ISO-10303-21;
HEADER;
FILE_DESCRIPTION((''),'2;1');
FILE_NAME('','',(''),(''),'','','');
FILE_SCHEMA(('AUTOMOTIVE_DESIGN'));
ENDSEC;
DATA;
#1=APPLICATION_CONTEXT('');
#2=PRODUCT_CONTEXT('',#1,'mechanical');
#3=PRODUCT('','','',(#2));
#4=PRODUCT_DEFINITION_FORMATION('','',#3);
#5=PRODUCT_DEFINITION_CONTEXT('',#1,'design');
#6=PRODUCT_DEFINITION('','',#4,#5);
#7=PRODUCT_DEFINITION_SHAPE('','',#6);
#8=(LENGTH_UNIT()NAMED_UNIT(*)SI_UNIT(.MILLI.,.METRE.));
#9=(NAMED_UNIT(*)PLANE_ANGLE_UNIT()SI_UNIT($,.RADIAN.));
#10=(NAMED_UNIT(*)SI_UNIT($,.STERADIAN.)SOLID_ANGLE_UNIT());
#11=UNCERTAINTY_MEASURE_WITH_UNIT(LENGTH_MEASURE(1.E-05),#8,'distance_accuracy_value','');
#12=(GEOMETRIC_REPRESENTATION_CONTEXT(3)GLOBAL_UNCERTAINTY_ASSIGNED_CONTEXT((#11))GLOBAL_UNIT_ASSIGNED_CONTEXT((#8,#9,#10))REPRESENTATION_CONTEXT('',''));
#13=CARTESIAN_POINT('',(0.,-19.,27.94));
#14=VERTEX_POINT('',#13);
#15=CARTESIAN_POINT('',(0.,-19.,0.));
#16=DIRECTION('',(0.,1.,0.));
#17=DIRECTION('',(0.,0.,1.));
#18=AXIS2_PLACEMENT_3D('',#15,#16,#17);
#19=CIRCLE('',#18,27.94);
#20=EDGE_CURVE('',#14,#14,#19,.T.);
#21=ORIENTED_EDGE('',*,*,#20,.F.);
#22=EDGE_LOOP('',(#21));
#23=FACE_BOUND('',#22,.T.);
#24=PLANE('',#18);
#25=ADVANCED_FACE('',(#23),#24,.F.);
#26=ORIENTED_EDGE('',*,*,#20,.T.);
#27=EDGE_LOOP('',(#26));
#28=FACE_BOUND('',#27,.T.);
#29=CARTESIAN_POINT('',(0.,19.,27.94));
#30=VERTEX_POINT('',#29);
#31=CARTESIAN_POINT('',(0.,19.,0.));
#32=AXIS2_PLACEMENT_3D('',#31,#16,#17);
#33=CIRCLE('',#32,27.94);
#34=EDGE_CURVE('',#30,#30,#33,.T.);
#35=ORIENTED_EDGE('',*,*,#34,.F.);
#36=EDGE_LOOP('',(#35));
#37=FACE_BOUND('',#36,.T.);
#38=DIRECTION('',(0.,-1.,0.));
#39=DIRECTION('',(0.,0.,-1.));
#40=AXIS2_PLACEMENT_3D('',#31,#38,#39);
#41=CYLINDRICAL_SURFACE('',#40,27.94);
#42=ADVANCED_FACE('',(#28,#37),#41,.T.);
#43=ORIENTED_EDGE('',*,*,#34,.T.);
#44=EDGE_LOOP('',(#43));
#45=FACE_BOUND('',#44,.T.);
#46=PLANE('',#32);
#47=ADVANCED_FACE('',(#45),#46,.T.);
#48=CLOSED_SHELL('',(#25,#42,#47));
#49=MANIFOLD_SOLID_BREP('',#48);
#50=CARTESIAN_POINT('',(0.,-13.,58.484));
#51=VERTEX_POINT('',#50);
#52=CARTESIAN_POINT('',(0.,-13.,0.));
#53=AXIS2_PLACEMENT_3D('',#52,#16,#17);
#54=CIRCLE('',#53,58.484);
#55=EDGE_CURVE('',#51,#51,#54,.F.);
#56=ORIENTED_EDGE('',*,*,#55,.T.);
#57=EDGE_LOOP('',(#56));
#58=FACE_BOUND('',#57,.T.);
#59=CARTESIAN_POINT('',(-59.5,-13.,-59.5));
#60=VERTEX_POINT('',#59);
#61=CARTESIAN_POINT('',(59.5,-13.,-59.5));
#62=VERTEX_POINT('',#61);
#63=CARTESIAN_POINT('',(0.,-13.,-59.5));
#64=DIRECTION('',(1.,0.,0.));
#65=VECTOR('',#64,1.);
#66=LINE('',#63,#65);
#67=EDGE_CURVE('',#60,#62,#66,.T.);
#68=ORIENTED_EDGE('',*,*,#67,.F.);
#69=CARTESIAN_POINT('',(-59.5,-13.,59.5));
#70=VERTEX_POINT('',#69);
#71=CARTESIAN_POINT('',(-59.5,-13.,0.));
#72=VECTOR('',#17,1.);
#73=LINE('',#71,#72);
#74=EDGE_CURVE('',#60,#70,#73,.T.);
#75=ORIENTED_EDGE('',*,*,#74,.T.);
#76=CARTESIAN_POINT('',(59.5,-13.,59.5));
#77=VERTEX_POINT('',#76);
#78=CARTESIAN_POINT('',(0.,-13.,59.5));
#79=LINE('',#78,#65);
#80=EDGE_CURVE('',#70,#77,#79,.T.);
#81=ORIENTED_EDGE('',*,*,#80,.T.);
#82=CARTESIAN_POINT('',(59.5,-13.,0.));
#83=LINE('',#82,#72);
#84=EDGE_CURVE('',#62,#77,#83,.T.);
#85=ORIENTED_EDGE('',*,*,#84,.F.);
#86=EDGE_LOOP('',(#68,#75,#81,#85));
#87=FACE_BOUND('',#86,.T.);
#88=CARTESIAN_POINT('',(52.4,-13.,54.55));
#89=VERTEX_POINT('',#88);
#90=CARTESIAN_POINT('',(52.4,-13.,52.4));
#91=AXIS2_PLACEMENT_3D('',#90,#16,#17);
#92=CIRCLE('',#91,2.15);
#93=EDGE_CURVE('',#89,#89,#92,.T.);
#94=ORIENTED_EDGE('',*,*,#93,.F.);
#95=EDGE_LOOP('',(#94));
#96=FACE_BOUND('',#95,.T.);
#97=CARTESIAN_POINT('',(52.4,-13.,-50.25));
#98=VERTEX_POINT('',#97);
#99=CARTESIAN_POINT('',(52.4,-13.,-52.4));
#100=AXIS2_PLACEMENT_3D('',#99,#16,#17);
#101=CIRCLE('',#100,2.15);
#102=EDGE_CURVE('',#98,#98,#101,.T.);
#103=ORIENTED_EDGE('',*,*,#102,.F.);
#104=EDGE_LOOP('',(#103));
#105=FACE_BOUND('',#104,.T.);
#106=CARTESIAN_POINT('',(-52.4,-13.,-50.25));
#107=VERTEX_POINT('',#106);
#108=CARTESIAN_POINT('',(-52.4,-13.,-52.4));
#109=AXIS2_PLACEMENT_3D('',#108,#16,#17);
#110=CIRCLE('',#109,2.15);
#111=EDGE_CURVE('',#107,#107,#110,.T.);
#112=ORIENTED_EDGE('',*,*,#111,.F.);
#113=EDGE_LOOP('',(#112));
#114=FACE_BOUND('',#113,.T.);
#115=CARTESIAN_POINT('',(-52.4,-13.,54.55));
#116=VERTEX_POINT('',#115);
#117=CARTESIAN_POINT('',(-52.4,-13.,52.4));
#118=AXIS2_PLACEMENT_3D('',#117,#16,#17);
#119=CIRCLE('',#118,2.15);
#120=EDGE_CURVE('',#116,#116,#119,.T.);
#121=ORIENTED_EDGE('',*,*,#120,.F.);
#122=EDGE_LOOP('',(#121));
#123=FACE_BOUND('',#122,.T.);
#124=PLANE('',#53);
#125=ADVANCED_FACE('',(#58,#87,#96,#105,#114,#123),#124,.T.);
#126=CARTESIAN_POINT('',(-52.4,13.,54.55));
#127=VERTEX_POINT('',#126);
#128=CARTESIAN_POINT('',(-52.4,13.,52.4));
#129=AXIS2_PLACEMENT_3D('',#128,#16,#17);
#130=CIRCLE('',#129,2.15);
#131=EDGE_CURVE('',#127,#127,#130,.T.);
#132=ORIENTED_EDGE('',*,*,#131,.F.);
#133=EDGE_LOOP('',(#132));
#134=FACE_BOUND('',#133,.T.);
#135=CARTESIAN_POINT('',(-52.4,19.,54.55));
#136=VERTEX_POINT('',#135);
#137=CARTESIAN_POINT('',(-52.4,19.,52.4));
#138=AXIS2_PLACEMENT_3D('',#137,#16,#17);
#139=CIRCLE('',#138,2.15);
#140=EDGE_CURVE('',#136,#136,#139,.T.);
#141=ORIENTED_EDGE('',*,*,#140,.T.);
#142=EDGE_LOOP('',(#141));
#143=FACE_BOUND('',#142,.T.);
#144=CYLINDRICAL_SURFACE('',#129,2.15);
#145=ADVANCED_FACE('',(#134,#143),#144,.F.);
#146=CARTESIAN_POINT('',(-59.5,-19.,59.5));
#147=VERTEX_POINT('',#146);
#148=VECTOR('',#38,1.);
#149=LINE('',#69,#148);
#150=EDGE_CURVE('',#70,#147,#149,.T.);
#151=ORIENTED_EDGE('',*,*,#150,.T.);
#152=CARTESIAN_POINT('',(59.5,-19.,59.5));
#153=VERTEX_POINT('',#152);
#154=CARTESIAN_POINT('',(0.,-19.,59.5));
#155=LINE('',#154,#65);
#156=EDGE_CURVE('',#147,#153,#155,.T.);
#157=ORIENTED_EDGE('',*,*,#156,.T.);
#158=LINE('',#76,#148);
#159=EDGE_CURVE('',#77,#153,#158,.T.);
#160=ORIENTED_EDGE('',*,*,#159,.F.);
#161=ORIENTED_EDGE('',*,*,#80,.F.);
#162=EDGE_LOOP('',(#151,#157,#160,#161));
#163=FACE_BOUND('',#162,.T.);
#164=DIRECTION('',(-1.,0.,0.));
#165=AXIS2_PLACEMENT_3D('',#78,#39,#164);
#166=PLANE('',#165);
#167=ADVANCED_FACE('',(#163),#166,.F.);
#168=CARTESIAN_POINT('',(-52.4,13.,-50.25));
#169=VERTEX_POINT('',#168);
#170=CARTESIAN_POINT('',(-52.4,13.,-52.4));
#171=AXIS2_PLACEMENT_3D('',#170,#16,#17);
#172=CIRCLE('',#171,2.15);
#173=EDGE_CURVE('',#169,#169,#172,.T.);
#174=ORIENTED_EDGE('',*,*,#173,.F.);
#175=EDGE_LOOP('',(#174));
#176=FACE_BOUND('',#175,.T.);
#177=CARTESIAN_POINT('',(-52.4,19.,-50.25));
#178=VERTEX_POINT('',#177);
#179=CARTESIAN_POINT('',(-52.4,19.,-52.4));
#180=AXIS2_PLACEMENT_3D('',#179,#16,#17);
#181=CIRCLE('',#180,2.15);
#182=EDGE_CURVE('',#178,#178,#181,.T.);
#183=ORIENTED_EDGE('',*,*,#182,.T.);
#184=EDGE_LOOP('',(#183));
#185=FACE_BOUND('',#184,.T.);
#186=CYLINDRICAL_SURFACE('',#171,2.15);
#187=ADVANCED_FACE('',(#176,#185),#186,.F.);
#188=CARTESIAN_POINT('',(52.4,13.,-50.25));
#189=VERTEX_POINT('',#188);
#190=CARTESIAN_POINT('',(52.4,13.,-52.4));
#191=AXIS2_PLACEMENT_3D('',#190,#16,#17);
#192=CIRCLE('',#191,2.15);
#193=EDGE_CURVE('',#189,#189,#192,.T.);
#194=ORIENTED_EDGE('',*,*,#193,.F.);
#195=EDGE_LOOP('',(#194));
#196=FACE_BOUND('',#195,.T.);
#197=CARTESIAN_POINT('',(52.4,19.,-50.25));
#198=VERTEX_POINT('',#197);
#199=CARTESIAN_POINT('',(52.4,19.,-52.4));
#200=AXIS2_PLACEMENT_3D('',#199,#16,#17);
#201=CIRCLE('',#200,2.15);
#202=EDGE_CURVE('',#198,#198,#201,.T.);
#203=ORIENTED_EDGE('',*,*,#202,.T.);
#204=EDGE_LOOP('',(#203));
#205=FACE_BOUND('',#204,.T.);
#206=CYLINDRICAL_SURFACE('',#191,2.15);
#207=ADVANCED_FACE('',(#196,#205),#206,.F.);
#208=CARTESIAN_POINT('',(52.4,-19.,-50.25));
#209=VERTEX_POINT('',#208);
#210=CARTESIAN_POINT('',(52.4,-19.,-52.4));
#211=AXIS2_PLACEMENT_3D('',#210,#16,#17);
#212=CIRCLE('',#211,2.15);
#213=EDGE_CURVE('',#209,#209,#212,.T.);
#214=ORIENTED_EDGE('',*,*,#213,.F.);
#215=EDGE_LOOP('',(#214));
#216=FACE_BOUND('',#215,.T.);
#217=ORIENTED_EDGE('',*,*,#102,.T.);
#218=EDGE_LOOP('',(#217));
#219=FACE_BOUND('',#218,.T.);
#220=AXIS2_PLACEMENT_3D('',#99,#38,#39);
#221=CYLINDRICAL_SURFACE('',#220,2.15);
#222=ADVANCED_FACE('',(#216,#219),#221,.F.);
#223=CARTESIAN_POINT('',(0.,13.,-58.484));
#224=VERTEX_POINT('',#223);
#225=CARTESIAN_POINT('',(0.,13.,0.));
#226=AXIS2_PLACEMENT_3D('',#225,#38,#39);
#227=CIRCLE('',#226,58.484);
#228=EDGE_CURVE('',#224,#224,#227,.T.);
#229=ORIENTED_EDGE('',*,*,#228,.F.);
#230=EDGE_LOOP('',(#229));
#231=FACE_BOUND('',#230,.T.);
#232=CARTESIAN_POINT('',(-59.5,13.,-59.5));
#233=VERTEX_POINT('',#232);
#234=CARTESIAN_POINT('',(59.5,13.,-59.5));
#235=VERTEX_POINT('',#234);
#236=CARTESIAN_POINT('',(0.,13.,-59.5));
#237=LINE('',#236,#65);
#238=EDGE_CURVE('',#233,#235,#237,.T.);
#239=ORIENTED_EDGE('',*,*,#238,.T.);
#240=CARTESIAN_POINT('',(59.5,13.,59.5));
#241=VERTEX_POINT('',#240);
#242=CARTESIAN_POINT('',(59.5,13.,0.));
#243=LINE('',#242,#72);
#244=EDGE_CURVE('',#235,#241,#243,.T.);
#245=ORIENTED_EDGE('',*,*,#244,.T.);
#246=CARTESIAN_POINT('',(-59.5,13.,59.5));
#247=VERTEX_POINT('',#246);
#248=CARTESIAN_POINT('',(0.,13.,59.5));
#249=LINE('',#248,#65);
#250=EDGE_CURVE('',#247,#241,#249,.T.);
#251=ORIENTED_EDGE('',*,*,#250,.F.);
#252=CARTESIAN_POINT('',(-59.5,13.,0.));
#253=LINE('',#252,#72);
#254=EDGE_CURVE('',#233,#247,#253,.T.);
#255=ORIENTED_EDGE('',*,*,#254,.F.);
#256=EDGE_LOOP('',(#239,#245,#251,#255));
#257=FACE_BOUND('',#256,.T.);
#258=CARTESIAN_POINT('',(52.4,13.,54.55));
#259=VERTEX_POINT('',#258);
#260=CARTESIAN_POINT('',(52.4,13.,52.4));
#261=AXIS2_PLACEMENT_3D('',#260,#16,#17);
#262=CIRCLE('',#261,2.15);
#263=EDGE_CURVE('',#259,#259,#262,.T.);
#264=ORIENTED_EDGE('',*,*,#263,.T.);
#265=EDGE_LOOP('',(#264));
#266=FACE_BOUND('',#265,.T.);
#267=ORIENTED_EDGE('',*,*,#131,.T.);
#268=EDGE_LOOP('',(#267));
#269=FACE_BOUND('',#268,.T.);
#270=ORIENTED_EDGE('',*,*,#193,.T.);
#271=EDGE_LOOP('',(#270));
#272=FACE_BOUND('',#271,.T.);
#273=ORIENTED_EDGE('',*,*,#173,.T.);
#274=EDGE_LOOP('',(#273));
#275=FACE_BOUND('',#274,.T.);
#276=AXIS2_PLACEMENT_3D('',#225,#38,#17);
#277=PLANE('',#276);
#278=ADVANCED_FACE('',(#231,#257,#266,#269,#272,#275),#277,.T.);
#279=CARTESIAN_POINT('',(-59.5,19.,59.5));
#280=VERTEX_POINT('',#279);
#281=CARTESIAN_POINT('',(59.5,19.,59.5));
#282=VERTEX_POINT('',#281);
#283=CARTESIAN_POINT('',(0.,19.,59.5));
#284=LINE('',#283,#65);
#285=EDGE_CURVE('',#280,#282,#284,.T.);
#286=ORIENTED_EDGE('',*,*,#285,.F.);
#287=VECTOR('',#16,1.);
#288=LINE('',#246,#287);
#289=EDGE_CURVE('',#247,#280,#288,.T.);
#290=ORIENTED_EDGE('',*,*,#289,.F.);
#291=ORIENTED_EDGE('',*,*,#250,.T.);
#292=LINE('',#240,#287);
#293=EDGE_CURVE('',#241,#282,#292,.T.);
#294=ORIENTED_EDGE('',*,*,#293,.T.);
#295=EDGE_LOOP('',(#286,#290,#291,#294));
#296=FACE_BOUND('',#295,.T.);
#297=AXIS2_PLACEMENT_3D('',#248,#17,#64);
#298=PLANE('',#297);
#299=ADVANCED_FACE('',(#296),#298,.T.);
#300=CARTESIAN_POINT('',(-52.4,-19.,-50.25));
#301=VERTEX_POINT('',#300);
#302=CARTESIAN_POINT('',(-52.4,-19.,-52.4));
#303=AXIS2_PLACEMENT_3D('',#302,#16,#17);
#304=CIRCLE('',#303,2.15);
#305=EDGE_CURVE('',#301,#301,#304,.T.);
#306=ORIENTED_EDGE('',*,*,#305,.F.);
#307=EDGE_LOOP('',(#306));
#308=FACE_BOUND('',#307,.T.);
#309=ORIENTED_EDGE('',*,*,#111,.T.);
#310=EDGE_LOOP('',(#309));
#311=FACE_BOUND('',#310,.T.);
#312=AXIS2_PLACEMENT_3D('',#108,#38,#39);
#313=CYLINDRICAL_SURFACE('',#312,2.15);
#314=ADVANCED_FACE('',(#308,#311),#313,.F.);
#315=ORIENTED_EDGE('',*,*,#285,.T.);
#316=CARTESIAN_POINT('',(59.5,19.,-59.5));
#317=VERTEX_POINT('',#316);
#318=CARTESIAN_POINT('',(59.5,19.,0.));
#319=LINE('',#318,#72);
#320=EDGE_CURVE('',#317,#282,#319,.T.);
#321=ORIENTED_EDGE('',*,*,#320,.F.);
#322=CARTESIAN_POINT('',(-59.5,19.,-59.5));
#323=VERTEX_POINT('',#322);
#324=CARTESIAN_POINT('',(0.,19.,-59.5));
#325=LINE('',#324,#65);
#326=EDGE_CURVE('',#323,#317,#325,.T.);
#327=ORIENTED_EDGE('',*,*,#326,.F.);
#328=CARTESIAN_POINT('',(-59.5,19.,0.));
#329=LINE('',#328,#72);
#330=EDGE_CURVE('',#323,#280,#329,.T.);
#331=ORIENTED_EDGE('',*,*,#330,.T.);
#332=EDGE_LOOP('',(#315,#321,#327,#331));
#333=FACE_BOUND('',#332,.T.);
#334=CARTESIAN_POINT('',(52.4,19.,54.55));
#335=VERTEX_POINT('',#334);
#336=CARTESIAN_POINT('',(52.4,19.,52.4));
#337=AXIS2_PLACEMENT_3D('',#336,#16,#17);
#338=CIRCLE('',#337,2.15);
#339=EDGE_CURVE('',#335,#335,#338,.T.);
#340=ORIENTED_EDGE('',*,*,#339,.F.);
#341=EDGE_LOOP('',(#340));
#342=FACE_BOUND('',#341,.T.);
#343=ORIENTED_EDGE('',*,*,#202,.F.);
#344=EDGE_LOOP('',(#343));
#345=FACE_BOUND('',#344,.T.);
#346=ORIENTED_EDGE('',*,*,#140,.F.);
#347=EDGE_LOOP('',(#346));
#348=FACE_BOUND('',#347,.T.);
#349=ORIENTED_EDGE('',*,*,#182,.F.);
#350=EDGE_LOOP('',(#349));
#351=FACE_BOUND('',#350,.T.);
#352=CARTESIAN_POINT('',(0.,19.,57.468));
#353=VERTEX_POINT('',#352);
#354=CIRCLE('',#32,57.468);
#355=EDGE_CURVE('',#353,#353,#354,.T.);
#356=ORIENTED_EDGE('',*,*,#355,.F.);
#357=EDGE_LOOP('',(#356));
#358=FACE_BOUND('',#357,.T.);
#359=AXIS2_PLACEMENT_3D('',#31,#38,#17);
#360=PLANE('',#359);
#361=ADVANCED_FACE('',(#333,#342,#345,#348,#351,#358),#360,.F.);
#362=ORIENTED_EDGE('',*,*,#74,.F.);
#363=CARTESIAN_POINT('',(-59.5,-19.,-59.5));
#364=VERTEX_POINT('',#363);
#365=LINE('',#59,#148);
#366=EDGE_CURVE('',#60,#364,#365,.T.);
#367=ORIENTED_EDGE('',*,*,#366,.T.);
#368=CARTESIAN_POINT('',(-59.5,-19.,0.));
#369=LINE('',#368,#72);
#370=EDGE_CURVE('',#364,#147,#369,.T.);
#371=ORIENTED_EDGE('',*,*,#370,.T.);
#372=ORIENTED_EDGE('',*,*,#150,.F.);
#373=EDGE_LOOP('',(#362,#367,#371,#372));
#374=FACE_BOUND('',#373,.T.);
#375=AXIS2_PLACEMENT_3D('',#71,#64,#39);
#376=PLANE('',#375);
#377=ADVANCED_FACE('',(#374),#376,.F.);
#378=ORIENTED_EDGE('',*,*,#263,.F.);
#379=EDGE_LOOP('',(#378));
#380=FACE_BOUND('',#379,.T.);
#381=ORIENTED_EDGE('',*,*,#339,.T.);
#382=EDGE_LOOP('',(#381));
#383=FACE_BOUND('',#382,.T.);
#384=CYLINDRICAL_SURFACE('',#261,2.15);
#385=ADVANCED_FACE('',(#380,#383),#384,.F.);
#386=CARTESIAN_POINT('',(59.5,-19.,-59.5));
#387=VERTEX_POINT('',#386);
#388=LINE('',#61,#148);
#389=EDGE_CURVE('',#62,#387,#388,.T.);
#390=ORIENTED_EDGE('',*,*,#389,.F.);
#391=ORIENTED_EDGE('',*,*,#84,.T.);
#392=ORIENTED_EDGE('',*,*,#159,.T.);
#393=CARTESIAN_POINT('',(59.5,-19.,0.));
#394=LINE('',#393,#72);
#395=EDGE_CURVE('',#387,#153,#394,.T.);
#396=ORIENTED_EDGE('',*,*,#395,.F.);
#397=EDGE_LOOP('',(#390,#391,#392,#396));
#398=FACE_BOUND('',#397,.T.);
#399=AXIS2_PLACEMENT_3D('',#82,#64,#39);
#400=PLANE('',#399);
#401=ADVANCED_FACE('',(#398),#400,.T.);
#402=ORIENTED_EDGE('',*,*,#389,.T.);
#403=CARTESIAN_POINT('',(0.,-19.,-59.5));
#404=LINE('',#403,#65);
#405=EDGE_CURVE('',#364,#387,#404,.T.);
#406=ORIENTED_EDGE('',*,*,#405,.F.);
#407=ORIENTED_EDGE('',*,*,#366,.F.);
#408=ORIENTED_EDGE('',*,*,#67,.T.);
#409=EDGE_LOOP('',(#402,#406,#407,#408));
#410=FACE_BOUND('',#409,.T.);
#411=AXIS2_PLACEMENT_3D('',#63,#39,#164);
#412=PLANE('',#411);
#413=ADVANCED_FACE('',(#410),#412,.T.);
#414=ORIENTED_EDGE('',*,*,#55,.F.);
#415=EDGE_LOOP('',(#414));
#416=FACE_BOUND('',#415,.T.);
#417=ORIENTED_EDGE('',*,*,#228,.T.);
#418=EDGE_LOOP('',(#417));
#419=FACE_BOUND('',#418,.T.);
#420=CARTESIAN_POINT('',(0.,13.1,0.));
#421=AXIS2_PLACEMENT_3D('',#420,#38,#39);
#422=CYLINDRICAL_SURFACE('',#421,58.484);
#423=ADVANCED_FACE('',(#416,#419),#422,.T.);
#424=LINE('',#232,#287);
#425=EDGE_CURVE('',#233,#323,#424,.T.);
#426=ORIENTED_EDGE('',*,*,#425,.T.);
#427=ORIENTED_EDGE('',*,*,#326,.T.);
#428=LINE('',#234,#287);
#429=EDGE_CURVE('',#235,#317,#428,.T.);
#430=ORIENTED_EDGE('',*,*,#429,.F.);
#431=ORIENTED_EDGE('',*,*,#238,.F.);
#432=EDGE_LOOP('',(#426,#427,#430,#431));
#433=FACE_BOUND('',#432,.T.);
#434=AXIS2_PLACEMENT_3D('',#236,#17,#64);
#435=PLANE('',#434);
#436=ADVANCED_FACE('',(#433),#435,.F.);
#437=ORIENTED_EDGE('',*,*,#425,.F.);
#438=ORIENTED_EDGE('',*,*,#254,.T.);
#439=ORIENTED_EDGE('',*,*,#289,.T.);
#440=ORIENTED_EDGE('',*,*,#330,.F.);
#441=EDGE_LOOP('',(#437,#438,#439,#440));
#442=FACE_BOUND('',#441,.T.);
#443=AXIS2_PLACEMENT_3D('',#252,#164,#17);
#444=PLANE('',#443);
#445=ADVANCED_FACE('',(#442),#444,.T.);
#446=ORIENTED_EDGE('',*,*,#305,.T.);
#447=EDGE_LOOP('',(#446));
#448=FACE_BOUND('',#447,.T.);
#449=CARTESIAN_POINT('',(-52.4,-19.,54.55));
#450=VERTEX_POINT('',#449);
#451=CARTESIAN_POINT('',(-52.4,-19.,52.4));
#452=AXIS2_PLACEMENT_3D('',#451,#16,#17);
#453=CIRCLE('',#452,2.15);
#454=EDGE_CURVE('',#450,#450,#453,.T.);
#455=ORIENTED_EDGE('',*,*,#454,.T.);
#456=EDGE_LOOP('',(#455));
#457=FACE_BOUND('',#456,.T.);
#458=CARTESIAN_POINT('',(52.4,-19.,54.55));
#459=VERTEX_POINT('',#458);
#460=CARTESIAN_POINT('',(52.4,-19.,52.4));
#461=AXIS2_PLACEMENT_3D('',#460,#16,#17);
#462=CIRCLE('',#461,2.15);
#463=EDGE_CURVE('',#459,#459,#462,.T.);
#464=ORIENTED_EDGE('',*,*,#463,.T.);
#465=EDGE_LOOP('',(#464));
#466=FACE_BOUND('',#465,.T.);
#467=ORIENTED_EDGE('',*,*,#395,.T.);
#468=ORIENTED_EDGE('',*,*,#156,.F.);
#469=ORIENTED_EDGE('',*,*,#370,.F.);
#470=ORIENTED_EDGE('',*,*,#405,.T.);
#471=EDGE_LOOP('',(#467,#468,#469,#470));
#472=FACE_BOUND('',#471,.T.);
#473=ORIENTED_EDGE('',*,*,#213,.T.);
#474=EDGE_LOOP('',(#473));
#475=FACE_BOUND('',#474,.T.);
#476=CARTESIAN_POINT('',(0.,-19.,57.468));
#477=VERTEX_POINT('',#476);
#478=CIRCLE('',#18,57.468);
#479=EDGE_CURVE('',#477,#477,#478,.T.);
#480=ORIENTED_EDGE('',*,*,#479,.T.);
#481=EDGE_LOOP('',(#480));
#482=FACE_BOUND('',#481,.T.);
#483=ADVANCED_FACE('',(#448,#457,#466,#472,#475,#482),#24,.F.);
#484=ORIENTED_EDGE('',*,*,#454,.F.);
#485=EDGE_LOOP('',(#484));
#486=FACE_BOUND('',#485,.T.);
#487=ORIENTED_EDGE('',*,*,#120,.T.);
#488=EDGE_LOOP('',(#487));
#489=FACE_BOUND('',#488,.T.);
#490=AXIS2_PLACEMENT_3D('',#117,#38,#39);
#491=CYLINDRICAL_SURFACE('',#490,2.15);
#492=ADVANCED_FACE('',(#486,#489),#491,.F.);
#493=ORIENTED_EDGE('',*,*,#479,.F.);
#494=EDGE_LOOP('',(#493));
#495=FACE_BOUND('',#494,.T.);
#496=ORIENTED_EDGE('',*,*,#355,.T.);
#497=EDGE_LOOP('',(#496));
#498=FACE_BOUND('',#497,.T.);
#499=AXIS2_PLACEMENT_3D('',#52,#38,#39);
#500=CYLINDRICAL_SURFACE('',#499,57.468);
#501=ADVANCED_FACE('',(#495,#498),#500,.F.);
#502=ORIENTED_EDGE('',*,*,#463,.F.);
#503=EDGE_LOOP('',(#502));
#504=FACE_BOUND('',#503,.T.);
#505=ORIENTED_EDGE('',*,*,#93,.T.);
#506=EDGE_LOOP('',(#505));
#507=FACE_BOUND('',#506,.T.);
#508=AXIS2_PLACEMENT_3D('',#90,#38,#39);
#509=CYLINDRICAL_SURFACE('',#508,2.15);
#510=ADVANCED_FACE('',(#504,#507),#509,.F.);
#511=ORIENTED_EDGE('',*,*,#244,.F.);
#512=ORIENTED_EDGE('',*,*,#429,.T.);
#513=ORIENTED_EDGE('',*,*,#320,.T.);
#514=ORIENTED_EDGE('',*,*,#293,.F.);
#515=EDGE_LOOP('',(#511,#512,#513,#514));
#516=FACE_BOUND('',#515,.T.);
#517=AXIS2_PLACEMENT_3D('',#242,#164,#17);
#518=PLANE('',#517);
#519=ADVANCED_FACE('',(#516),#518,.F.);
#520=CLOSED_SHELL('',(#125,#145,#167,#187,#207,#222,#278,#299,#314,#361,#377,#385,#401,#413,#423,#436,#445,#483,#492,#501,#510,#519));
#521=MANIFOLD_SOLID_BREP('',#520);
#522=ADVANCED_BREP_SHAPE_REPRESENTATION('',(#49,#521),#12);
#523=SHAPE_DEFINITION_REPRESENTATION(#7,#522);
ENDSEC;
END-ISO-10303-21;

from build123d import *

# Parameters (mm, degrees)
BOSS_EXTRUDE1_START = -19
SKETCH1_W           = 119
SKETCH1_H           = 119
SKETCH1_R           = 57.468
SKETCH1_R_2         = 2.15
BOSS_EXTRUDE1_DEPTH = 6
BOSS_EXTRUDE2_START = -0.1
SKETCH2_R           = 58.484
SKETCH2_R_2         = 57.468
BOSS_EXTRUDE2_DEPTH = 26.2
SKETCH3_R           = 27.94
BOSS_EXTRUDE3_DEPTH = 19


with BuildPart() as part:
    # Sketch1 → Boss-Extrude1 (new body)
    with BuildSketch(Plane(origin=(0, 0, 0), x_dir=(1, 0, 0), z_dir=(0, 1, 0)).offset(BOSS_EXTRUDE1_START)):
        Rectangle(SKETCH1_W, SKETCH1_H)
        with Locations(Location((0, 0, 0), (0, 0, 270))):
            Circle(SKETCH1_R, mode=Mode.SUBTRACT)
        with Locations(Location((-52.4, 52.4, 0), (0, 0, 270))):
            Circle(SKETCH1_R_2, mode=Mode.SUBTRACT)
        with Locations(Location((52.4, 52.4, 0), (0, 0, 270))):
            Circle(SKETCH1_R_2, mode=Mode.SUBTRACT)
        with Locations(Location((52.4, -52.4, 0), (0, 0, 270))):
            Circle(SKETCH1_R_2, mode=Mode.SUBTRACT)
        with Locations(Location((-52.4, -52.4, 0), (0, 0, 270))):
            Circle(SKETCH1_R_2, mode=Mode.SUBTRACT)
    boss_extrude1 = extrude(amount=BOSS_EXTRUDE1_DEPTH)

    # Sketch2 → Boss-Extrude2 (add)
    with BuildSketch(Plane(origin=(0, -13, 0), x_dir=(-1, 0, 0), z_dir=(0, 1, 0)).offset(BOSS_EXTRUDE2_START)):
        with Locations(Location((0, 0, 0), (0, 0, 90))):
            Circle(SKETCH2_R)
        with Locations(Location((0, 0, 0), (0, 0, 90))):
            Circle(SKETCH2_R_2, mode=Mode.SUBTRACT)
    extrude(amount=BOSS_EXTRUDE2_DEPTH)

    # Mirror5: Boss-Extrude1 across plane
    add(boss_extrude1.mirror(Plane.ZX))


with BuildPart() as body_2:
    # Sketch3 → Boss-Extrude3 (new, symmetric)
    with BuildSketch(Plane(origin=(0, 0, 0), x_dir=(1, 0, 0), z_dir=(0, 1, 0))):
        with Locations(Location((0, 0, 0), (0, 0, 270))):
            Circle(SKETCH3_R)
    extrude(amount=BOSS_EXTRUDE3_DEPTH, both=True)


solid = Compound([part.part, body_2.part])
